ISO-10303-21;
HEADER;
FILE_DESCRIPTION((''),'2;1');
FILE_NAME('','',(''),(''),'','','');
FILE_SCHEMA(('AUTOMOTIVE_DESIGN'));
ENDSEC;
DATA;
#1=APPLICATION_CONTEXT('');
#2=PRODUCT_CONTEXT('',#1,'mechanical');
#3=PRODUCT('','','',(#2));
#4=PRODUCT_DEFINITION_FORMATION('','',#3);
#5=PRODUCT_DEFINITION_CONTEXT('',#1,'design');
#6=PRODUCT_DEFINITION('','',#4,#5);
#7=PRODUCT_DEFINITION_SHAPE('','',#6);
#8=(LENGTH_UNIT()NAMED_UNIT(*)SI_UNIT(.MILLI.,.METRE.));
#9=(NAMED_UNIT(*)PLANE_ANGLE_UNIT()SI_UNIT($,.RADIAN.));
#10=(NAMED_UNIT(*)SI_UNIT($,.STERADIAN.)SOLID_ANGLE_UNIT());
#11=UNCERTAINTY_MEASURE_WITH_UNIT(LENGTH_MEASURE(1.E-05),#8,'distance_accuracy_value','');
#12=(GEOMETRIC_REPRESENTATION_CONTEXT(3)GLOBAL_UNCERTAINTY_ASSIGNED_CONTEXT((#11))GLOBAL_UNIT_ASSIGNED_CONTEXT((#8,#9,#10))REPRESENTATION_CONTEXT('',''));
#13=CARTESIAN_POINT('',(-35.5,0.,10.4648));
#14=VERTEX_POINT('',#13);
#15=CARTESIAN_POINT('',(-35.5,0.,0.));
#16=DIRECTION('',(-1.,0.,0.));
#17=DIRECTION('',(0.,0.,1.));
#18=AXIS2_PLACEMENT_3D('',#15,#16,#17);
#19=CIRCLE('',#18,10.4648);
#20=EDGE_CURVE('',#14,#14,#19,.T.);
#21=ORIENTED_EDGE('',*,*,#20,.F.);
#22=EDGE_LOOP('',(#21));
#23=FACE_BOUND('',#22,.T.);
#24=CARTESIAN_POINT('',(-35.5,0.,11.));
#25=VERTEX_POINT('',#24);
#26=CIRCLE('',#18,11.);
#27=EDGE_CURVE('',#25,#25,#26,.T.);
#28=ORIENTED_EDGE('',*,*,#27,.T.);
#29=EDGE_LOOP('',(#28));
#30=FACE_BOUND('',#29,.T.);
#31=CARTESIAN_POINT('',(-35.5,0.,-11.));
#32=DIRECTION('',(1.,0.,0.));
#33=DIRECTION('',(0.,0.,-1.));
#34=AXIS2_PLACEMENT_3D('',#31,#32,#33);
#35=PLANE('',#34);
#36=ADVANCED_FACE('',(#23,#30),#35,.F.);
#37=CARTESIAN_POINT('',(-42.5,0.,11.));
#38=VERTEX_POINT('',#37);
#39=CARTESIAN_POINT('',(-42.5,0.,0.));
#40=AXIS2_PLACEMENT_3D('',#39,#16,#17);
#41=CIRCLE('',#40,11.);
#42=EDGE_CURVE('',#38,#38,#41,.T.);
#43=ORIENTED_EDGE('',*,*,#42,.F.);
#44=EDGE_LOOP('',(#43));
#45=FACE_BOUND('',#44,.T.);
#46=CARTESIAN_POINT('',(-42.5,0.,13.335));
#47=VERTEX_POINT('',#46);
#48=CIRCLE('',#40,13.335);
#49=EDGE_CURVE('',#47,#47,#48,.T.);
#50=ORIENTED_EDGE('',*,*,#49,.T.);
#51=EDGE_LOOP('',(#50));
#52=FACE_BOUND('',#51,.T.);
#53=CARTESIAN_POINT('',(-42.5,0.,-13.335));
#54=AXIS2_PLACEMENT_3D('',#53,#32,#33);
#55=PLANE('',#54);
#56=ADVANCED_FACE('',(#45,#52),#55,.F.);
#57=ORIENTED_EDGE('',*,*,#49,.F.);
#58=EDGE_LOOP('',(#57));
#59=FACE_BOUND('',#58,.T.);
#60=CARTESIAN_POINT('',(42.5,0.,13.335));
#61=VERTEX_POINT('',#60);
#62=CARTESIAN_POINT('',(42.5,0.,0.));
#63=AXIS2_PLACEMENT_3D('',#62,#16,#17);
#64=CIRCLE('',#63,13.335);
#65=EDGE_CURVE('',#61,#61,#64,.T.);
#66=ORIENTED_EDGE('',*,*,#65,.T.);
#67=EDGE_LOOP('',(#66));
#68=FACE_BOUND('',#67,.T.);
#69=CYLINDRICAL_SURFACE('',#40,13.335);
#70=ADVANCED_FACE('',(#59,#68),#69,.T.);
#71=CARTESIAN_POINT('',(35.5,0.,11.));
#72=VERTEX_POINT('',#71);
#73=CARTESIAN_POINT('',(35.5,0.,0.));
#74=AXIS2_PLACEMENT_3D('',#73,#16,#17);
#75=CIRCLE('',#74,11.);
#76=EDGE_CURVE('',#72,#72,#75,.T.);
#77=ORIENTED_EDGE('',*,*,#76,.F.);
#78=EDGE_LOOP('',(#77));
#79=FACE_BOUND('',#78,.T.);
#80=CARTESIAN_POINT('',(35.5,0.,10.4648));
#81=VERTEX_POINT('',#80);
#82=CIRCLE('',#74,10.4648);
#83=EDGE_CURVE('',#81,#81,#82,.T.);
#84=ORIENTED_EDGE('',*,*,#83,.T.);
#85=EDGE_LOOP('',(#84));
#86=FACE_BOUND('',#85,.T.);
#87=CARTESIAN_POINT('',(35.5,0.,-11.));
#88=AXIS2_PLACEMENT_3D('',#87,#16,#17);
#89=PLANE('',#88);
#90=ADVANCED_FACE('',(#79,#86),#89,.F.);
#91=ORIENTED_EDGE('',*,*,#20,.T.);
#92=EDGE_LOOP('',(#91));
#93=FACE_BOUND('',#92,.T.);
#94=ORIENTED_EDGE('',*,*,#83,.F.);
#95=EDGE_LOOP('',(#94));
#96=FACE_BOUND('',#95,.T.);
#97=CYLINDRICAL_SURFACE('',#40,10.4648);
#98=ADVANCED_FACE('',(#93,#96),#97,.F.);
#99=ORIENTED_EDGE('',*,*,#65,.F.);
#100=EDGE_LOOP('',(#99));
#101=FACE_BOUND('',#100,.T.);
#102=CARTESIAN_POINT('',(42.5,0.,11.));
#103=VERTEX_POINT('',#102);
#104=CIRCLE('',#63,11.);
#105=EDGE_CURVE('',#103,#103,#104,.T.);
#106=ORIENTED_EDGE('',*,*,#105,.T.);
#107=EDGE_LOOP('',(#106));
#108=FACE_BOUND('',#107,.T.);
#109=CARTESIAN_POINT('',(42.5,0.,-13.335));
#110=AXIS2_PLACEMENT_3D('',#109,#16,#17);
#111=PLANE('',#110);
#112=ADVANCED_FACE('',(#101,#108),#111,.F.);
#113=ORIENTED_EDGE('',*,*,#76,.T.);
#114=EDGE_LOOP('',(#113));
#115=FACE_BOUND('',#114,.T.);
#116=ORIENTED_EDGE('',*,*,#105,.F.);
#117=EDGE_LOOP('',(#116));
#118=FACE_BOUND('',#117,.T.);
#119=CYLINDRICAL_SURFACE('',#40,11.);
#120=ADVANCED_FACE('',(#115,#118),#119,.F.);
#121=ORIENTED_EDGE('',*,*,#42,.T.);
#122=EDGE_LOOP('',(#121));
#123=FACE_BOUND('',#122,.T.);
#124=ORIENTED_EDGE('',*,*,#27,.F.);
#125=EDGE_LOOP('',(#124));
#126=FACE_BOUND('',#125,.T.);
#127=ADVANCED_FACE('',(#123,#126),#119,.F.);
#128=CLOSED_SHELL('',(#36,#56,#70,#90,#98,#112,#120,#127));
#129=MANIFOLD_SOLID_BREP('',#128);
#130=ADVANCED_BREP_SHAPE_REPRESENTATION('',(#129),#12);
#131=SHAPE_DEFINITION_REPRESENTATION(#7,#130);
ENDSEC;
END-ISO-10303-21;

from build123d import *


with BuildPart() as part:
    # Sketch2 → Revolve1 (revolve)
    with BuildSketch(Plane(origin=(0, 0, 0), x_dir=(1, 0, 0), z_dir=(0, 1, 0)), mode=Mode.PRIVATE) as revolve1_sk:
        Polygon((42.5, 13.335), (-42.5, 13.335), (-42.5, 11), (-35.5, 11), (-35.5, 10.4648), (35.5, 10.4648), (35.5, 11), (42.5, 11), align=None)
    revolve(revolve1_sk.sketch.rotate(Axis((-42.5, 0, 0), (1, 0, 0)), 180), axis=Axis((-42.5, 0, 0), (1, 0, 0)))


solid = part.part
